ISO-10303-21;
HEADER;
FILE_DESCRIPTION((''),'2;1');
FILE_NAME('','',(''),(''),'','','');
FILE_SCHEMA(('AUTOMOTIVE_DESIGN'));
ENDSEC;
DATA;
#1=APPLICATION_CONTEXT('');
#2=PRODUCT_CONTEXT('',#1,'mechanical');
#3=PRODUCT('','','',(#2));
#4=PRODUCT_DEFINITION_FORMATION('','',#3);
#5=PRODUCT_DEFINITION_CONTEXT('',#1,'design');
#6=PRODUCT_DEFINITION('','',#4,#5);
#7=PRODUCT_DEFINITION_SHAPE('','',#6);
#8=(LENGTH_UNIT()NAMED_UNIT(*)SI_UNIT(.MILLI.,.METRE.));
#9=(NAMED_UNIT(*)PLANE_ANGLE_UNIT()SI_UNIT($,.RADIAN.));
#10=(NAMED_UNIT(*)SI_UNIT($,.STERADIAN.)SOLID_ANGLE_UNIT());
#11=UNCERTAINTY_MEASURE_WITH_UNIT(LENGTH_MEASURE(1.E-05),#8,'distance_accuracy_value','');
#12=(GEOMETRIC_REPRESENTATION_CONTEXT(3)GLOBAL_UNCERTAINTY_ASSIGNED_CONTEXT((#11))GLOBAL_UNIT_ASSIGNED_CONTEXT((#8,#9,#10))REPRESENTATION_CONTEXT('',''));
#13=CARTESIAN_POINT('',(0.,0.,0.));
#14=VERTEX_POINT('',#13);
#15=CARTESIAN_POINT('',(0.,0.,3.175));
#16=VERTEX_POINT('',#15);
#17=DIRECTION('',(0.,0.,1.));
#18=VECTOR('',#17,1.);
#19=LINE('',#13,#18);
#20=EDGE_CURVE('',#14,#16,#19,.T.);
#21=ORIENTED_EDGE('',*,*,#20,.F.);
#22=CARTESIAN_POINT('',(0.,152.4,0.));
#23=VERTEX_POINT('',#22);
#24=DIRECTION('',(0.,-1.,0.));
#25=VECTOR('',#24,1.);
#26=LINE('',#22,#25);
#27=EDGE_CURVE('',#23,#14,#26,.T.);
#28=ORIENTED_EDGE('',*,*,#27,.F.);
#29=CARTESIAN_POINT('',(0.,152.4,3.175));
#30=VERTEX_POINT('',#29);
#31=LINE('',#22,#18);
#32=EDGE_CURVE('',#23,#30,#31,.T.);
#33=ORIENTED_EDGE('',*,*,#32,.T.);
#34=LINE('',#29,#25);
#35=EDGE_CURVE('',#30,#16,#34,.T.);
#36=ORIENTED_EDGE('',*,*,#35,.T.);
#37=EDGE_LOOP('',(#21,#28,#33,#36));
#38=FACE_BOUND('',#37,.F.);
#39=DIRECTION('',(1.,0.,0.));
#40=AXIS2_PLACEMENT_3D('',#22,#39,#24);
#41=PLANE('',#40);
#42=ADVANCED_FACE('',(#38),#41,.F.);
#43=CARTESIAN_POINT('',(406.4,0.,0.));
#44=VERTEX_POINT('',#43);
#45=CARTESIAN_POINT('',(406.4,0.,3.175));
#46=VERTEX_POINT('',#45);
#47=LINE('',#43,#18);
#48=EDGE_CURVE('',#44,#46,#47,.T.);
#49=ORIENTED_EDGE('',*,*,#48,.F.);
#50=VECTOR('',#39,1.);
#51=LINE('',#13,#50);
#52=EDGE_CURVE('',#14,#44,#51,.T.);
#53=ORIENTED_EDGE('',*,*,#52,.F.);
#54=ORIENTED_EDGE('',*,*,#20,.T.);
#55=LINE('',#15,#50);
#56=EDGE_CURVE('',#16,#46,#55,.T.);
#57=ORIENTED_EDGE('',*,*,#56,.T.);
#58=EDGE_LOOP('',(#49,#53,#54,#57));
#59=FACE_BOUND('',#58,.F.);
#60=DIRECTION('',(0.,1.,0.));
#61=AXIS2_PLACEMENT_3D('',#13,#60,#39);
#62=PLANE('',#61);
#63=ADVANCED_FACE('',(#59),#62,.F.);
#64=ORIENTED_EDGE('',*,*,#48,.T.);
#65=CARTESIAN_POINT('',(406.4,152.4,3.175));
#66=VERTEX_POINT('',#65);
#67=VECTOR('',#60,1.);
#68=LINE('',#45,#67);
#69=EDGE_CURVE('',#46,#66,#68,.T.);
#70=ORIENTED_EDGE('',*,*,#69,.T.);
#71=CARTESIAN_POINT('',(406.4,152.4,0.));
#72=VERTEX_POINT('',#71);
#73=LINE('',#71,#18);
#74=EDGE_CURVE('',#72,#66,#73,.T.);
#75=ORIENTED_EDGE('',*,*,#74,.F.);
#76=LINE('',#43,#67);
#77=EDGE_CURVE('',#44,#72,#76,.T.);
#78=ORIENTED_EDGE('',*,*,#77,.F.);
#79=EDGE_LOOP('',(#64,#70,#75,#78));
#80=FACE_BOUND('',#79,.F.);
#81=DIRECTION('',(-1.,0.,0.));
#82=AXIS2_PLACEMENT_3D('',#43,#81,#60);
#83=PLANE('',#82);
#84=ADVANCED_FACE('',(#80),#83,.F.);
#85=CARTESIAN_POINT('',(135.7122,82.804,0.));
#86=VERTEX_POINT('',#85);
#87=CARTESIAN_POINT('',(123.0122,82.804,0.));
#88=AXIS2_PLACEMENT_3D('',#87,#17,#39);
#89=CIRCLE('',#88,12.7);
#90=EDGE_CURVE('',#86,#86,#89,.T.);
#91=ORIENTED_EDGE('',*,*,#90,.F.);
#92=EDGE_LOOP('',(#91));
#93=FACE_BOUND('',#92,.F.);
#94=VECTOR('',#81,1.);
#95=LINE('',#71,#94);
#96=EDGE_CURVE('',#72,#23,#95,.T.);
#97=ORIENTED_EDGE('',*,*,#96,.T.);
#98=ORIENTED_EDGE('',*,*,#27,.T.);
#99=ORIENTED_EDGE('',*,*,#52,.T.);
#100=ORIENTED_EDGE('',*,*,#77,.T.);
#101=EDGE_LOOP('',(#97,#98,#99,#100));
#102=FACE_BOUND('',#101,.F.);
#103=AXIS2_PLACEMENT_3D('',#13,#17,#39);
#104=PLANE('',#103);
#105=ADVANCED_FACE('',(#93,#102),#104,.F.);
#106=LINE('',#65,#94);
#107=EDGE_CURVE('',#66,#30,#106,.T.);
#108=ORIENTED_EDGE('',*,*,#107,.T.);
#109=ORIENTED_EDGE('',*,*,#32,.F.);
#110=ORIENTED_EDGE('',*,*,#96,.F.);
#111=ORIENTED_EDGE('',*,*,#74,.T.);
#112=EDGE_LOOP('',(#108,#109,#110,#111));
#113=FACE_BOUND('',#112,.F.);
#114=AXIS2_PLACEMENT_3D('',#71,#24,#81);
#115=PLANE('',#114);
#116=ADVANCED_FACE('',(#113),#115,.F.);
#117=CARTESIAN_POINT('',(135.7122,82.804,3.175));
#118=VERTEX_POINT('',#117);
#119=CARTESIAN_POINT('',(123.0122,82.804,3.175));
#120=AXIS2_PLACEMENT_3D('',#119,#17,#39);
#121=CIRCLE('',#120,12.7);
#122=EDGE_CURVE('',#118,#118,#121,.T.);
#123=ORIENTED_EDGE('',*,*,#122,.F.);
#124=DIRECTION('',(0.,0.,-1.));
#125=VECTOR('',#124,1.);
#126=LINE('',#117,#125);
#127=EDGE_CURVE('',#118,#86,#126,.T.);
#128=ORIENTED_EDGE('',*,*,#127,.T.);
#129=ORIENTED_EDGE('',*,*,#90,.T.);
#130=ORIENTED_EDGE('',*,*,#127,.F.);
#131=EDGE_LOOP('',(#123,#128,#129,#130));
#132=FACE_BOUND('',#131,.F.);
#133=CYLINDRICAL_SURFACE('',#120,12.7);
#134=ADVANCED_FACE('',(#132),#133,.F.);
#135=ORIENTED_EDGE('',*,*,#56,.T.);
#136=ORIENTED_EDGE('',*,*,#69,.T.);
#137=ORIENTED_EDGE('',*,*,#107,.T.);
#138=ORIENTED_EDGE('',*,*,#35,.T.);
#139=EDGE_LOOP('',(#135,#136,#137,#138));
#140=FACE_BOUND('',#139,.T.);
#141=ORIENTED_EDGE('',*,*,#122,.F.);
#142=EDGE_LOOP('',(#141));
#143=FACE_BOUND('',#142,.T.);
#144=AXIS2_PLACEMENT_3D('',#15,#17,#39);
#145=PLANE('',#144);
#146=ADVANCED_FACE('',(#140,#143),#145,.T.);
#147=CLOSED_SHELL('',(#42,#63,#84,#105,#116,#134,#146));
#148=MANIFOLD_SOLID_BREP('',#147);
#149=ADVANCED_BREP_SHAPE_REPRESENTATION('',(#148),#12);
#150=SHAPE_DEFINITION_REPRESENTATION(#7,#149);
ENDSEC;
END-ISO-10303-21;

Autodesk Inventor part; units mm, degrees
ref_plane "YZ Plane" through (0, 0, 0) normal (1, 0, 0) x (0, 1, 0)
ref_plane "XZ Plane" through (0, 0, 0) normal (0, 1, 0) x (-1, 0, 0)
ref_plane "XY Plane" through (0, 0, 0) normal (0, 0, 1) x (1, 0, 0)
sketch "Sketch1" plane through (0, 0, 0) normal (0, 0, 1) x (1, 0, 0)
  line L0 (0, 0) -> (406.4, 0)
  line L1 (406.4, 0) -> (406.4, 152.4)
  line L2 (406.4, 152.4) -> (0, 152.4)
  line L3 (0, 152.4) -> (0, 0)
  dimension "d0" = 152.4
  dimension "d1" = 406.4
extrude "Extrusion1" add sketch "Sketch1" along normal blind 3.175
sketch "Sketch2" plane through (0, 0, 3.175) normal (0, 0, 1) x (1, 0, 0)
  circle A0 centre (123.0122, 82.804) radius 12.7
  line L0 (0, 152.4) -> (0, 0) projected
  line L1 (0, 0) -> (406.4, 0) projected
  dimension "d4" = 25.4
  dimension "d5" = 123.0122
  dimension "d6" = 82.804
extrude "Extrusion2" cut sketch "Sketch2" against normal blind 3.175
properties part number "LFEV2017_TSI_003"
